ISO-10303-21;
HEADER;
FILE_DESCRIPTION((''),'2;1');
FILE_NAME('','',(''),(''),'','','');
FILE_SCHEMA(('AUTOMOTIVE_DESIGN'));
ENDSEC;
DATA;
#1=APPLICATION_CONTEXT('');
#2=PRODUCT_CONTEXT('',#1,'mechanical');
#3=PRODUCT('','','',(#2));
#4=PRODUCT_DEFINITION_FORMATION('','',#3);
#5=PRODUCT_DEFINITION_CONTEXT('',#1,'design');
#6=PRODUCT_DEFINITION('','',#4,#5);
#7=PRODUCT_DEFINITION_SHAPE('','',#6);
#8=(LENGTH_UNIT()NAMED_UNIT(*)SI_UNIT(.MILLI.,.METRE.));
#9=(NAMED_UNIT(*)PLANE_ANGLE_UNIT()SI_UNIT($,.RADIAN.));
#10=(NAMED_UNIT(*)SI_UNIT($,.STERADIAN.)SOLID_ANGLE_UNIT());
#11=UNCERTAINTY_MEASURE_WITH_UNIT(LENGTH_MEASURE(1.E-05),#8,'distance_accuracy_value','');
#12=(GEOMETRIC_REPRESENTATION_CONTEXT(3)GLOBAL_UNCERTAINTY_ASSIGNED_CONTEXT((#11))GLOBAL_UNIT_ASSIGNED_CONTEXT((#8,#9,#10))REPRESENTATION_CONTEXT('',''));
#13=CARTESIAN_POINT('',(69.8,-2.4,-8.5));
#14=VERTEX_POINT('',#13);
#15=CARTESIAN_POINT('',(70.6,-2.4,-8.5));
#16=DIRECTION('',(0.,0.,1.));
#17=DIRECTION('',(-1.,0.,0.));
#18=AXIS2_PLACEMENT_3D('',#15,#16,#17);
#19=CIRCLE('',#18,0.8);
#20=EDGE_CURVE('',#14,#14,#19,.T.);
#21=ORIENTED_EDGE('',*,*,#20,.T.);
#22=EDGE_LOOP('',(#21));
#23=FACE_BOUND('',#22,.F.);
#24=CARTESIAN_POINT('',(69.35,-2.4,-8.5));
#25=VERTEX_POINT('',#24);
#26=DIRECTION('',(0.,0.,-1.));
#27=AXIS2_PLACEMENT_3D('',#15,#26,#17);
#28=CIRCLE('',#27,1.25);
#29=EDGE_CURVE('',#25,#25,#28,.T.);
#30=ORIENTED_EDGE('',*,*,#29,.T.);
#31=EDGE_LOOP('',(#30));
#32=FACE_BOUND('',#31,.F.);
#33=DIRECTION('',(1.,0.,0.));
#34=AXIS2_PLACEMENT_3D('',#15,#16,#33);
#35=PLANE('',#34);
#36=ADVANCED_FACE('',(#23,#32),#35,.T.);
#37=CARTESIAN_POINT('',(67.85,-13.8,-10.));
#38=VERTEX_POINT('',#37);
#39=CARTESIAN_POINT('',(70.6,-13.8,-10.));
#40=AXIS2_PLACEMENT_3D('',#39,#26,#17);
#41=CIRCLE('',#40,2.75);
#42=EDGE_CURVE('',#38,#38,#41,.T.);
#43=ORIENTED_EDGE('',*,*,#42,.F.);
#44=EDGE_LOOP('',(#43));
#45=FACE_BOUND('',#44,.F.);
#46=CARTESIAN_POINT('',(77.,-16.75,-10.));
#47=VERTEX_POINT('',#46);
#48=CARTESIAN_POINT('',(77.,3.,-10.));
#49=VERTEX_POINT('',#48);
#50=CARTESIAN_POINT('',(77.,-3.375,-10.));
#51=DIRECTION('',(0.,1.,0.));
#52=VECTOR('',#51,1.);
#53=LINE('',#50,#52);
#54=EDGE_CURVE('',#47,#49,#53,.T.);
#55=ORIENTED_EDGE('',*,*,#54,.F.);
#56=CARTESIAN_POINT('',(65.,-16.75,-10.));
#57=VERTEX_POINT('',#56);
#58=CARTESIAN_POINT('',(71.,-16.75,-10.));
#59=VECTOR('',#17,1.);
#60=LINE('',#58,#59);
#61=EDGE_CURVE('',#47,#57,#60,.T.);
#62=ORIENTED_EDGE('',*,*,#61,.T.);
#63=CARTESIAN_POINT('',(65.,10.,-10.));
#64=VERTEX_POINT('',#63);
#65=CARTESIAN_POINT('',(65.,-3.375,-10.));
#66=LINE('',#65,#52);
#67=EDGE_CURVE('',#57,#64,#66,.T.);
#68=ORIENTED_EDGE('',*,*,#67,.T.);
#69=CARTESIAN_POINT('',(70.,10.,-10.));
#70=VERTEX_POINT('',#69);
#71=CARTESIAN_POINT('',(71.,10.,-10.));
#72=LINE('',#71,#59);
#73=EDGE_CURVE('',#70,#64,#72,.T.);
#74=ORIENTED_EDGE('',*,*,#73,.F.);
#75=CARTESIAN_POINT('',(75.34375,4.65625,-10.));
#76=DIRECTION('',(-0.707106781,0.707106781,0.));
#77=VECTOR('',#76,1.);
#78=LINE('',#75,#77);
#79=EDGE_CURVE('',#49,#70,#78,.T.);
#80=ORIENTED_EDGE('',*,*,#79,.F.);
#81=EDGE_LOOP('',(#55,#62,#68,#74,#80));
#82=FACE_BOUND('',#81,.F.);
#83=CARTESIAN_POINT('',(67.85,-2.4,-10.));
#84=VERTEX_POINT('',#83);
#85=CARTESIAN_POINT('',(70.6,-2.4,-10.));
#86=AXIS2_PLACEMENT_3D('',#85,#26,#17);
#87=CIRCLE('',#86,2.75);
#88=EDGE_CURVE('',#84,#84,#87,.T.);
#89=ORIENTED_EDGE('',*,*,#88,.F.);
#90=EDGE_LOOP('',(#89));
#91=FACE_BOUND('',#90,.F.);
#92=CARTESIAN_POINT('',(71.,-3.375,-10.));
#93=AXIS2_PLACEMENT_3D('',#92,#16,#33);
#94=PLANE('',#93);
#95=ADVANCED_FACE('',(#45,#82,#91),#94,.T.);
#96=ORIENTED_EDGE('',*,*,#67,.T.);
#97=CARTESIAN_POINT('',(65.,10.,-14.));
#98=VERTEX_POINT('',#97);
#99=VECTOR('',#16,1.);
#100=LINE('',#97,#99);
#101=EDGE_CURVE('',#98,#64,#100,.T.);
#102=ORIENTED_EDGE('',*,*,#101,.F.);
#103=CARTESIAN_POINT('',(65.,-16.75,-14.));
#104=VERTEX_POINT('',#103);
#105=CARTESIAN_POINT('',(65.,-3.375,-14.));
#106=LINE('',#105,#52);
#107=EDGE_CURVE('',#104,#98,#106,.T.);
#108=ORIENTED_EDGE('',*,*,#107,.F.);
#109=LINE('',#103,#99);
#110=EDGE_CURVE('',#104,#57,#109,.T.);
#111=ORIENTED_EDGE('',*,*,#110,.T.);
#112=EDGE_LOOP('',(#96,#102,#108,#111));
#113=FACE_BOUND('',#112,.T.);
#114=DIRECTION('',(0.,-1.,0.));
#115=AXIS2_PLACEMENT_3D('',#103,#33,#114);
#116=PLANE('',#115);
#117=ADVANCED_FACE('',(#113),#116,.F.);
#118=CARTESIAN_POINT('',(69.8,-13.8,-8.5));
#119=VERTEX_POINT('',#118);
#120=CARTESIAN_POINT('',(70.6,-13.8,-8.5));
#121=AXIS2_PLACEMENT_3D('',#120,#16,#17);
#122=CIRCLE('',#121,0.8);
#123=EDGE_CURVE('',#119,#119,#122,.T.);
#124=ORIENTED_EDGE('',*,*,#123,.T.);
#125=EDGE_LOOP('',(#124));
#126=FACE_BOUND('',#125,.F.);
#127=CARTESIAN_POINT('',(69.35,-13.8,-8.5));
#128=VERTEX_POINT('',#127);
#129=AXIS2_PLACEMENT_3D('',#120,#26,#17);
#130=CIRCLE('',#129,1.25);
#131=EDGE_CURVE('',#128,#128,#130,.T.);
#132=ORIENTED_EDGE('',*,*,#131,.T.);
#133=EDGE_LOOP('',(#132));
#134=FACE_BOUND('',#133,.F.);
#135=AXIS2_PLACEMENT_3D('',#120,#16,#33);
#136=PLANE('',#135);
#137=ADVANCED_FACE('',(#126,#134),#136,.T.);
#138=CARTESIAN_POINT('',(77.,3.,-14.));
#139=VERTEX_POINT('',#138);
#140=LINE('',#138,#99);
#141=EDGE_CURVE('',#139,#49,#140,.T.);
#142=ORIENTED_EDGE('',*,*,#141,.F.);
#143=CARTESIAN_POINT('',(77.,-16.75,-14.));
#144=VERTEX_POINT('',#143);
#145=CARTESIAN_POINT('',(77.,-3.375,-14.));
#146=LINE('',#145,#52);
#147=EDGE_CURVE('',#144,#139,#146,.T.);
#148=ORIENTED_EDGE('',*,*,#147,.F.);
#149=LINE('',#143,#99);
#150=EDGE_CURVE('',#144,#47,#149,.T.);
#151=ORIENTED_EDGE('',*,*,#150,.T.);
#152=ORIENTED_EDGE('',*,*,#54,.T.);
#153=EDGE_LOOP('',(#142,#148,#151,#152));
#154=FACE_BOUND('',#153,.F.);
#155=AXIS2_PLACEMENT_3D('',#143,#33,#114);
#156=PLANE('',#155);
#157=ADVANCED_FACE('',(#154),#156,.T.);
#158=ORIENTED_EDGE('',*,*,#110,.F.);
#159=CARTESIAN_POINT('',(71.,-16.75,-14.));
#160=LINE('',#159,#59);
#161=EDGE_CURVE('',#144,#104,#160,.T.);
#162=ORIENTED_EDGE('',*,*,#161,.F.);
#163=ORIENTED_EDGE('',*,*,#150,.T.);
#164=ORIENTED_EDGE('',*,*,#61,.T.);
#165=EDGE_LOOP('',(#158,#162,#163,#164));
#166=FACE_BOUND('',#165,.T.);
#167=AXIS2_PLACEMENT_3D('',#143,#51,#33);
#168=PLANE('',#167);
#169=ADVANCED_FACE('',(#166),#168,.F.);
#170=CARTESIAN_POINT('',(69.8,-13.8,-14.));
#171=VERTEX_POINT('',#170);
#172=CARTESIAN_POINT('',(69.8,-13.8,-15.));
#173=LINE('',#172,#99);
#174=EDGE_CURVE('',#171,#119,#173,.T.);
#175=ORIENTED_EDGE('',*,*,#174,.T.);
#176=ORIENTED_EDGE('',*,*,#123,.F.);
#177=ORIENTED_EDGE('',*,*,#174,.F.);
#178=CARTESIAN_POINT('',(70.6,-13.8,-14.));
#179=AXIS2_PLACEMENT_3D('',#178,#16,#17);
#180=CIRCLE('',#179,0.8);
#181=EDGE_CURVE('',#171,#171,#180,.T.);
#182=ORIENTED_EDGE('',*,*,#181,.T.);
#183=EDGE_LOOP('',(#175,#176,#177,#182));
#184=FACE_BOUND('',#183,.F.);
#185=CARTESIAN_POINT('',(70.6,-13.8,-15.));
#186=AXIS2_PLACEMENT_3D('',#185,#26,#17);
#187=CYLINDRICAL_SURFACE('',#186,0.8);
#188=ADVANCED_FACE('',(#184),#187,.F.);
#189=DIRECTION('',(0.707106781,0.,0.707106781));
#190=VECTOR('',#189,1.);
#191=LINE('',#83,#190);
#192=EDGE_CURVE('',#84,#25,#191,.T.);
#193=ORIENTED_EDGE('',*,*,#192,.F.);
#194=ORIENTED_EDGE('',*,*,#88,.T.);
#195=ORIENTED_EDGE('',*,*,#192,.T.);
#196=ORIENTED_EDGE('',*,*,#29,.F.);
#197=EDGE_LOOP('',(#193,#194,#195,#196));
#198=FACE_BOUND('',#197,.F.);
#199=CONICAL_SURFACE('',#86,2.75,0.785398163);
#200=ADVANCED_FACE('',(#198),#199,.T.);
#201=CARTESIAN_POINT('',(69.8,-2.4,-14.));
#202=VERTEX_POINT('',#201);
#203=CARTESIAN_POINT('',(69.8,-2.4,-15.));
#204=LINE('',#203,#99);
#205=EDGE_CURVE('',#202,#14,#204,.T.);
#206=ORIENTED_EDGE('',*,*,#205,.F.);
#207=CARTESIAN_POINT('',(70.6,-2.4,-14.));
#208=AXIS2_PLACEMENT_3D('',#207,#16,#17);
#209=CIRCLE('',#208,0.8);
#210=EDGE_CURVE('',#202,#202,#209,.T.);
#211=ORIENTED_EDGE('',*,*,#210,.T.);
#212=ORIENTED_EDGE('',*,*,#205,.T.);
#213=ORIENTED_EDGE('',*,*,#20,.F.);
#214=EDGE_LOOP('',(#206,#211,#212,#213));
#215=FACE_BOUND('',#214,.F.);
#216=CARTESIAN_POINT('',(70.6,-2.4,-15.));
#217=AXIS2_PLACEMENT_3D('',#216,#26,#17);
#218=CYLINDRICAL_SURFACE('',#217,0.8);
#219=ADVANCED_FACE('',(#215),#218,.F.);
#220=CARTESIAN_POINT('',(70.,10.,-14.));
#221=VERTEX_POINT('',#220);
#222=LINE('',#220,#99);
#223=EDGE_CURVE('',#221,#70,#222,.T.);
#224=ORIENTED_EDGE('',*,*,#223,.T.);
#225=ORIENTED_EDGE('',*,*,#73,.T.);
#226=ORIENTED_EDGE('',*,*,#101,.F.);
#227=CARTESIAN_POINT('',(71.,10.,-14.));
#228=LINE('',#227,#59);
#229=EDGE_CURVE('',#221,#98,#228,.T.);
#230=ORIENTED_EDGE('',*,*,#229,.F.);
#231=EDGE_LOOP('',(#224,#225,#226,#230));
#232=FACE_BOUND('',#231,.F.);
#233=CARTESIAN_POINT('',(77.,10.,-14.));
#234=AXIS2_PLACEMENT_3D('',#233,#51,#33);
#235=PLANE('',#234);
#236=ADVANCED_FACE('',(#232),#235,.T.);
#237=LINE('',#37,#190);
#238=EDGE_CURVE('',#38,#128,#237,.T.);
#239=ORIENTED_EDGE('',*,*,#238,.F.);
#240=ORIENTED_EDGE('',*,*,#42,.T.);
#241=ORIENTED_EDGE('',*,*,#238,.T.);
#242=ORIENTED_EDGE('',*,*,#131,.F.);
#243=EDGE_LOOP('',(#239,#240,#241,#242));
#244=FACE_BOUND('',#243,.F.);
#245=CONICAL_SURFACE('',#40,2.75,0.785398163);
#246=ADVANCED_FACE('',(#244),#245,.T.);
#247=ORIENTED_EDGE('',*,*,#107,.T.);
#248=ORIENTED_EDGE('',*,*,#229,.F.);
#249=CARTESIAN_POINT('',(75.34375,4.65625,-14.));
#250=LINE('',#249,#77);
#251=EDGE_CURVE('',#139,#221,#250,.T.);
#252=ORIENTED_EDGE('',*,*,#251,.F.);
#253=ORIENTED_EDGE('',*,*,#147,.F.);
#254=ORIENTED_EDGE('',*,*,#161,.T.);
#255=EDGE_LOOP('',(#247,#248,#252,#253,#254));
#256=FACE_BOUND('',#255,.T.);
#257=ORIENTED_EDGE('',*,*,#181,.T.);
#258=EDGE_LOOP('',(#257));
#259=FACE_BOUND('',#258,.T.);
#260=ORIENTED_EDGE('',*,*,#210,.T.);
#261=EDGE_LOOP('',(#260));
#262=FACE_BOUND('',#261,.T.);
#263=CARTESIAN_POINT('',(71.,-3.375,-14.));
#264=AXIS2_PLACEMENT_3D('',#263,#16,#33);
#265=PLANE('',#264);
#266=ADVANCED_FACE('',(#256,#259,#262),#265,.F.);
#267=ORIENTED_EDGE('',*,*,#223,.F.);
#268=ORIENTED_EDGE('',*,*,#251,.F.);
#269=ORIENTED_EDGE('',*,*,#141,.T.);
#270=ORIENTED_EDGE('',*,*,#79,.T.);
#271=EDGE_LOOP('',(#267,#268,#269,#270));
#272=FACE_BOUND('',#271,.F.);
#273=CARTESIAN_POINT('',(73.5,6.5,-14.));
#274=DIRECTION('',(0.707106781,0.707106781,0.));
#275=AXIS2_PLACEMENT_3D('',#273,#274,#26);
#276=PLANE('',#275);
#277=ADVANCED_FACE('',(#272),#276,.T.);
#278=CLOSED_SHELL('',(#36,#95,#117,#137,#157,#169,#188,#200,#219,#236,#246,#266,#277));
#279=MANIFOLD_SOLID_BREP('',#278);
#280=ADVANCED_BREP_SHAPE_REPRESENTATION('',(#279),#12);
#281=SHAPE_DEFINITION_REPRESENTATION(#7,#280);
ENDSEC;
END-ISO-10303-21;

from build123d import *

# Parameters (mm, degrees)
CYLINDER082_R     = 0.8
CYLINDER082_DEPTH = 14.5
CYLINDER081_R     = 0.8
CYLINDER081_DEPTH = 14.5
BOX044_W          = 12
BOX044_H          = 26.75
BOX044_DEPTH      = 4
CHAMFER001_SIZE   = 7


with BuildPart() as cylinder134:
    # Cylinder082 → Cylinder082 (new body)
    with BuildSketch(Plane(origin=(-43.6, -13.8, -15), x_dir=(1, 0, 0), z_dir=(0, 0, 1))):
        Circle(CYLINDER082_R)
    extrude(amount=CYLINDER082_DEPTH)


with BuildPart() as fusion116:
    # Cylinder081 → Cylinder081 (new body)
    with BuildSketch(Plane(origin=(-43.6, -2.4, -15), x_dir=(1, 0, 0), z_dir=(0, 0, 1))):
        Circle(CYLINDER081_R)
    extrude(amount=CYLINDER081_DEPTH)

    # Fusion116: union Cylinder134
    add(cylinder134.part)


with BuildPart() as cone003:
    # Cone003 → Cone003 (revolve)
    with BuildSketch(Plane(origin=(-43.6, -13.8, -10), x_dir=(1, 0, 0), z_dir=(0, -1, 0))):
        Polygon((0, 0), (2.75, 0), (1.25, 1.5), (0, 1.5), align=None)
    revolve(axis=Axis((-43.6, -13.8, -10), (0, 0, 1)))


with BuildPart() as fusion114:
    # Cone002 → Cone002 (revolve)
    with BuildSketch(Plane(origin=(-43.6, -2.4, -10), x_dir=(1, 0, 0), z_dir=(0, -1, 0))):
        Polygon((0, 0), (2.75, 0), (1.25, 1.5), (0, 1.5), align=None)
    revolve(axis=Axis((-43.6, -2.4, -10), (0, 0, 1)))

    # Fusion114: union Cone003
    add(cone003.part)


with BuildPart() as cut045028:
    # Box044 → Box044 (new body)
    with BuildSketch(Plane(origin=(-50, -16.75, -14), x_dir=(1, 0, 0), z_dir=(0, 0, 1))):
        with Locations((6, 13.375)):
            Rectangle(BOX044_W, BOX044_H)
    extrude(amount=BOX044_DEPTH)

    # Chamfer001
    chamfer001_edges = [cut045028.edges().sort_by_distance(p)[0] for p in [
        (-50, 10, -12),
    ]]
    chamfer(chamfer001_edges, length=CHAMFER001_SIZE)

    # Fusion115: union Fusion114
    add(fusion114.part)

    # Cut045028: cut Fusion116
    add(fusion116.part, mode=Mode.SUBTRACT)


with BuildPart() as part_mirroring005:
    # Part__Mirroring005: instance of Cut045028
    add(cut045028.part.mirror(Plane(origin=(0, 0, 0), x_dir=(0, -1, 0), z_dir=(1, 0, 0))))


with BuildPart() as part_mirroring005_1:
    # Part__Mirroring005 placement: moved
    add(part_mirroring005.part.moved(Location((27, 0, 0))))


solid = part_mirroring005_1.part
